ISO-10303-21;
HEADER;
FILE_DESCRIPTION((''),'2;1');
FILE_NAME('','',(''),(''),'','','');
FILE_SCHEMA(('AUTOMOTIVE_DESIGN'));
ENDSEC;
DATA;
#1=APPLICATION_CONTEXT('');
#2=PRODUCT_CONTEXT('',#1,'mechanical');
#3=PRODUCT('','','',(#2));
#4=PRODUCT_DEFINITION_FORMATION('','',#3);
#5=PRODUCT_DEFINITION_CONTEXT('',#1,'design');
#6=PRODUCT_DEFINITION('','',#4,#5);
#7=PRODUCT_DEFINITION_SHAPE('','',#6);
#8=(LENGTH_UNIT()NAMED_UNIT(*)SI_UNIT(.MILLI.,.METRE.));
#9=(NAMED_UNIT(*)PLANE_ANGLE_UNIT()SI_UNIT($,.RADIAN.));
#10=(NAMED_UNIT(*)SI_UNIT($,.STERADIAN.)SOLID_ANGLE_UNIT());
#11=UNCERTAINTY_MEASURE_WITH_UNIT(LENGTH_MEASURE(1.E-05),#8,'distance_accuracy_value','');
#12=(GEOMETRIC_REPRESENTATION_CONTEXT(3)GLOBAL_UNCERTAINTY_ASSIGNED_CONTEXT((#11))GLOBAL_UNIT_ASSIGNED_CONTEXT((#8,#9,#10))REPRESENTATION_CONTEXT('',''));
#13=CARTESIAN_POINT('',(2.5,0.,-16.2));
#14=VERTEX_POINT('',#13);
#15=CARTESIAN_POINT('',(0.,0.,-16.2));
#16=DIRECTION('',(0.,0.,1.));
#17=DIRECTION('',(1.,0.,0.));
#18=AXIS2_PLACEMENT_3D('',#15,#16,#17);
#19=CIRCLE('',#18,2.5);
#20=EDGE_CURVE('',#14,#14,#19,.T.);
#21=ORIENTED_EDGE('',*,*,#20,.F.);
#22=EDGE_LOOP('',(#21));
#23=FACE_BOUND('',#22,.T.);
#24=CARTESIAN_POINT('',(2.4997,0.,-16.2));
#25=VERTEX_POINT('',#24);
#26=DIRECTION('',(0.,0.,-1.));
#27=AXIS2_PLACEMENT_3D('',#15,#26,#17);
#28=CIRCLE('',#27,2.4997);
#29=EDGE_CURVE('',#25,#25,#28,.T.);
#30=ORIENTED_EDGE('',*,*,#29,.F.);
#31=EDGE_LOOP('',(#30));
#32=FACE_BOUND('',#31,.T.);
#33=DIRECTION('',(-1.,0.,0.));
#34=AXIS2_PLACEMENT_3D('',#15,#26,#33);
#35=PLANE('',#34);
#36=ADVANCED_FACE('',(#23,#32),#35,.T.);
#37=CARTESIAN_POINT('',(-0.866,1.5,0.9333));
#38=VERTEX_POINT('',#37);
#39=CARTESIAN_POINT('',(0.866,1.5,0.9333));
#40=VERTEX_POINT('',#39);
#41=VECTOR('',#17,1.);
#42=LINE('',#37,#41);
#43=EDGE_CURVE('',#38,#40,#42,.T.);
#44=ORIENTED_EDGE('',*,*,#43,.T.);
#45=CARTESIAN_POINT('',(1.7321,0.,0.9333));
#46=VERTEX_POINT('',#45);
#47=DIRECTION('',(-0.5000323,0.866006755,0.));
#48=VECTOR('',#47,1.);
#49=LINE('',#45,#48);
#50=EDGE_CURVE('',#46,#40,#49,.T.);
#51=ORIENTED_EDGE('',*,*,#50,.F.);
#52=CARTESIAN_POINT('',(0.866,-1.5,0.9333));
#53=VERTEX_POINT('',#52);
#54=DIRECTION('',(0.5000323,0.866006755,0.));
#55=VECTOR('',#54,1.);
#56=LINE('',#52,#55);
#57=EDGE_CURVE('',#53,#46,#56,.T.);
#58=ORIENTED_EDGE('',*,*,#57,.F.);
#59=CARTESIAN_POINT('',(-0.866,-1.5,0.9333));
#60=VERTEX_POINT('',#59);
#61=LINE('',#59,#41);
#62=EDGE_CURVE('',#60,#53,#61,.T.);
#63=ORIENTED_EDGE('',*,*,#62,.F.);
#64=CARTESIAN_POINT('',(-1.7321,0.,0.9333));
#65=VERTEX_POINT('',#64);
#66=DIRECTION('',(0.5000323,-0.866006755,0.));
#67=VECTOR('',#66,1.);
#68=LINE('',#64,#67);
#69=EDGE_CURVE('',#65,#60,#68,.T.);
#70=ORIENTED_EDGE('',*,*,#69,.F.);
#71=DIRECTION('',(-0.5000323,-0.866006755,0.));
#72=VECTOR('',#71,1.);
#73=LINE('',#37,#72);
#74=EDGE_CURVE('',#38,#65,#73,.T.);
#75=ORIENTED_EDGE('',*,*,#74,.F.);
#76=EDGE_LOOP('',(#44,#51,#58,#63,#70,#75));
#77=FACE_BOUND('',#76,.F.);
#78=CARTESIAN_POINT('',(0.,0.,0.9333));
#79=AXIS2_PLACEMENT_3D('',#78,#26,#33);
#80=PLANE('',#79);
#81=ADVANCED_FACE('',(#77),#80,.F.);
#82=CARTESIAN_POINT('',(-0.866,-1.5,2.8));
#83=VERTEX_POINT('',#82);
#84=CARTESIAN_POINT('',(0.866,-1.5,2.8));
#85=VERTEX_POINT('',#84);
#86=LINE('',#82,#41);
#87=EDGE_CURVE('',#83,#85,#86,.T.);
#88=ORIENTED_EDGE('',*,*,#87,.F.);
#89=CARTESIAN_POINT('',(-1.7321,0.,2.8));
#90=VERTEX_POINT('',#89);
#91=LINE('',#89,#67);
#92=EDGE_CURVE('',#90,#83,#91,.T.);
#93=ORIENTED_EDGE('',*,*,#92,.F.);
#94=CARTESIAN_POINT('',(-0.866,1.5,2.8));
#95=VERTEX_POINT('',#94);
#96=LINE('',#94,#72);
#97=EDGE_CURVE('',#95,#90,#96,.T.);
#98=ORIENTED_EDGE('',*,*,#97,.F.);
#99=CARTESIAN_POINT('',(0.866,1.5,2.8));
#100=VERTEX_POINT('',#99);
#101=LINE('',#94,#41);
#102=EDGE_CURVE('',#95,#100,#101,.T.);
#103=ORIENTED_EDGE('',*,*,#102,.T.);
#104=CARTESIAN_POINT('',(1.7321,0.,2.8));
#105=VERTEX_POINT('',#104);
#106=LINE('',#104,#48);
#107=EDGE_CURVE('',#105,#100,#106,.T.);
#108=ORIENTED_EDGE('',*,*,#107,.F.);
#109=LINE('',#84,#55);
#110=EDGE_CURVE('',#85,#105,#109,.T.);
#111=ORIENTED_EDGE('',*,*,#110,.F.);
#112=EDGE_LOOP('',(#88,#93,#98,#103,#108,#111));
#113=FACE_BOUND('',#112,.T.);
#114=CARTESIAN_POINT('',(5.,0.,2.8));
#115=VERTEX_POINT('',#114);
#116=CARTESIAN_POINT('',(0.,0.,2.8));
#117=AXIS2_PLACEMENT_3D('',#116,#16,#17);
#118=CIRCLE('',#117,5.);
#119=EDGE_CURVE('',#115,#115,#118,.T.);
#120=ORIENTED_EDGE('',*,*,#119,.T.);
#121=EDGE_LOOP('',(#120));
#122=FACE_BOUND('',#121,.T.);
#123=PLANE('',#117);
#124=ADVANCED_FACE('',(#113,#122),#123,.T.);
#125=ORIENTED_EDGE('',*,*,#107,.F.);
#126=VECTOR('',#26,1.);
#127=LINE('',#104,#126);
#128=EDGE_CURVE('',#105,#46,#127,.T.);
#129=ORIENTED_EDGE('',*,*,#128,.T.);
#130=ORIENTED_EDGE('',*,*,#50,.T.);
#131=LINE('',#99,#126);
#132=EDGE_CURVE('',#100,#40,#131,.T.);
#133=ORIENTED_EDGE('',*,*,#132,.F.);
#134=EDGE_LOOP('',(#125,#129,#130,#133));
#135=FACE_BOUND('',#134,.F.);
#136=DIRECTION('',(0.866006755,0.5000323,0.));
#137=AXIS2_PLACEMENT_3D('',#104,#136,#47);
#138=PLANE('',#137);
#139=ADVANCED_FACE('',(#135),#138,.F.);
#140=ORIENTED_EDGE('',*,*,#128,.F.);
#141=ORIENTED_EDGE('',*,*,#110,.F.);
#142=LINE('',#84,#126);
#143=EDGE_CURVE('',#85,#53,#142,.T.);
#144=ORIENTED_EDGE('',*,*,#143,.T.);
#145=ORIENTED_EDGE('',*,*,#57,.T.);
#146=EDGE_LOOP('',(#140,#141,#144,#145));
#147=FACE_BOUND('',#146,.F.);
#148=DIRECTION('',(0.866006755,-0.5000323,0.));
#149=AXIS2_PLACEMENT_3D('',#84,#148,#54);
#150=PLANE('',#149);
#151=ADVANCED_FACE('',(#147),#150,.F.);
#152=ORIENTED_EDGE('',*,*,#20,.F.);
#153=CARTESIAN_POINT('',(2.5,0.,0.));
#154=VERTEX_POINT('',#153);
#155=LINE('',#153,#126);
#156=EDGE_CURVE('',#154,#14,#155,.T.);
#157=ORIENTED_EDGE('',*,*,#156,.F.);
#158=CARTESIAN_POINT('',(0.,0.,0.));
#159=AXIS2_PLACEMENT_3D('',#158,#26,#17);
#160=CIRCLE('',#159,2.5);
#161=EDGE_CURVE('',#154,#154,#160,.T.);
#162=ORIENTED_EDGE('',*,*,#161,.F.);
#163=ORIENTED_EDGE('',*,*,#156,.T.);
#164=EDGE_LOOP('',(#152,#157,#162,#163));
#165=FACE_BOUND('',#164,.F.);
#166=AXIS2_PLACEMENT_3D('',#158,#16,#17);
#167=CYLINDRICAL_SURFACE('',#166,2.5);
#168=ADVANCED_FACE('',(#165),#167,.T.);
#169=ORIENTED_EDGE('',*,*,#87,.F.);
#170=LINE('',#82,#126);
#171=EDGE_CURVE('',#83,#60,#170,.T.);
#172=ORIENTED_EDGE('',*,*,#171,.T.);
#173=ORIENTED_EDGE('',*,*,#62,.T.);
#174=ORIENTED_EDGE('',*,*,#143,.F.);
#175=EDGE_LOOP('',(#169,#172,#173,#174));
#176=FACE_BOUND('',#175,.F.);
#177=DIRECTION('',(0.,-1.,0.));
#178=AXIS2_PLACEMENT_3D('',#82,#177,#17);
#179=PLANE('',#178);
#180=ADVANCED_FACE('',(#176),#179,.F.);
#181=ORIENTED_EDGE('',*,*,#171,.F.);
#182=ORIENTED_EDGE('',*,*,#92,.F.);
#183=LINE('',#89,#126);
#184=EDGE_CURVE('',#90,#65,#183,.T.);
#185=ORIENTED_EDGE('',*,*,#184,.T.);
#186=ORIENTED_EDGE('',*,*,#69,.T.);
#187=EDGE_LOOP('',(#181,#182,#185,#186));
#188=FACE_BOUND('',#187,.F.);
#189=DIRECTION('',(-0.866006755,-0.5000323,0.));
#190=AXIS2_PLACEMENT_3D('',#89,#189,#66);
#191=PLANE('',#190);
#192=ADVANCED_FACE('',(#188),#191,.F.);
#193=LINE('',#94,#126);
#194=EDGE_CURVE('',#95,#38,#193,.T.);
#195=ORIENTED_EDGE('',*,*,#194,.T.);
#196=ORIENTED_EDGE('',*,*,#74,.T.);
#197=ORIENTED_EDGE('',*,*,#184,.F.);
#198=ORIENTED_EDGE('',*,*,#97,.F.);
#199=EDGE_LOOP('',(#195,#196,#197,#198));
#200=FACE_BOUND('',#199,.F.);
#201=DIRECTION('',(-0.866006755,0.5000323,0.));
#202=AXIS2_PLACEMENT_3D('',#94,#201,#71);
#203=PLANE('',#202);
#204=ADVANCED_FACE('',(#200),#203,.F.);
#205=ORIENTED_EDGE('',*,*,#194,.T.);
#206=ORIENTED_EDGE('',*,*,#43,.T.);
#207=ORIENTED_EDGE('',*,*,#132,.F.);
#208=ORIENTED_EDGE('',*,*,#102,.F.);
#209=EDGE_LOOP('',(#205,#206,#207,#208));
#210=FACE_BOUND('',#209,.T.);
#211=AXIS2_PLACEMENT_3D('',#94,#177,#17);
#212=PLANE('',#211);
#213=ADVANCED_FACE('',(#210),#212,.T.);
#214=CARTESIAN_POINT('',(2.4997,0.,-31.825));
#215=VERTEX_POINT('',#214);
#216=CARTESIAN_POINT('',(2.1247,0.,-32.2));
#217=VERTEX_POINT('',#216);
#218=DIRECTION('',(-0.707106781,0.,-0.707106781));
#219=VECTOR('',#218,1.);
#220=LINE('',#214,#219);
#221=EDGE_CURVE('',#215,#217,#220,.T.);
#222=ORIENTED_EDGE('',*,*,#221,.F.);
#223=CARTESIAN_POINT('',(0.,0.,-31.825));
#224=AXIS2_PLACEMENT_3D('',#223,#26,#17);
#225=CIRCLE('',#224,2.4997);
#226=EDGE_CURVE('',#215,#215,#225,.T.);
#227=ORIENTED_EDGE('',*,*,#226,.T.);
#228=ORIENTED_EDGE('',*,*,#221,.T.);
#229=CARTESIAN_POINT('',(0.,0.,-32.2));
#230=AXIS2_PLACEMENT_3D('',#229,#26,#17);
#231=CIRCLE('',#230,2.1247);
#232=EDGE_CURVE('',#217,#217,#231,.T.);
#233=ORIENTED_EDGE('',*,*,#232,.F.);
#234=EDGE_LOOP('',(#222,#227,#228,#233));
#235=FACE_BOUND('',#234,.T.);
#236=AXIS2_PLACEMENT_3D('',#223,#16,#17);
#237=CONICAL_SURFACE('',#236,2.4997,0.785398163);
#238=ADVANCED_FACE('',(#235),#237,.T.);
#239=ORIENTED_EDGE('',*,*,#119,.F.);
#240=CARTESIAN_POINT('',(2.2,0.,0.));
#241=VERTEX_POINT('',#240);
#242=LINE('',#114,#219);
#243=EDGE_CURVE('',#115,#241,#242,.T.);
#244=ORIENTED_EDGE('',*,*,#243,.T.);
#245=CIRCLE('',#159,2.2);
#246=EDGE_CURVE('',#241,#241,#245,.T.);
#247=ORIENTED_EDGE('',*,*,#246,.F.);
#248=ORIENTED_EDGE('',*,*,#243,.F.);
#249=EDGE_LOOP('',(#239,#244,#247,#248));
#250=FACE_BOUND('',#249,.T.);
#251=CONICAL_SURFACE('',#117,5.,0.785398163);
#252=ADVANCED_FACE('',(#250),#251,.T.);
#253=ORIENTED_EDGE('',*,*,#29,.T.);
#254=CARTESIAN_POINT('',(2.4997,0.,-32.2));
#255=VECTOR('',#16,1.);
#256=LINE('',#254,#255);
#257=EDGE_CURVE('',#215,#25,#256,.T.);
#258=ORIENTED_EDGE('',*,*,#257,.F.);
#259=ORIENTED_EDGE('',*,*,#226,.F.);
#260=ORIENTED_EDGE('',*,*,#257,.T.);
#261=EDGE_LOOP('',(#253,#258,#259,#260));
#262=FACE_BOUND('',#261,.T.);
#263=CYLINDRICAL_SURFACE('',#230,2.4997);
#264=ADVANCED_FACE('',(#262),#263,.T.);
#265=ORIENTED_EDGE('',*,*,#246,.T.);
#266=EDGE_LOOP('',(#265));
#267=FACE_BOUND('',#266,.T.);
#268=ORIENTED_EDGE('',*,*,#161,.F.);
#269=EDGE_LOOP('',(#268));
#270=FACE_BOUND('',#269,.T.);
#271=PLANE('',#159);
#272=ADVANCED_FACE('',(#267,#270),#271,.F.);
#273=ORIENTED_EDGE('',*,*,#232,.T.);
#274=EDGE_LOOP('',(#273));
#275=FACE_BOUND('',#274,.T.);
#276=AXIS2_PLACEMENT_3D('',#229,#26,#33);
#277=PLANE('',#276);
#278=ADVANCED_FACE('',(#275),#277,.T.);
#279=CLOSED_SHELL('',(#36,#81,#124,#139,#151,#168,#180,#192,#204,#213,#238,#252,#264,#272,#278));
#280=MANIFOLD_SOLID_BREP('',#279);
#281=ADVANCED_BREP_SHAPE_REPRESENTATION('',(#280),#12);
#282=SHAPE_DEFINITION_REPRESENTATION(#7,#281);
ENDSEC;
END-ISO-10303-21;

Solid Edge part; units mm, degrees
sketch "Sketch1" plane through (0, 0, 0) normal (0, 0, 1) x (1, 0, 0)
  circle A0 centre (0, 0) radius 5
  dimension "D1" = 10
extrude "Protrusion1" add sketch "Sketch1" along normal blind 2.8
sketch "Sketch2" plane through (0, 0, 0) normal (0, 0, -1) x (1, 0, 0)
  circle A0 centre (0, 0) radius 2.5
extrude "Protrusion2" add sketch "Sketch2" along normal blind 32.2
sketch "Sketch3" plane through (0, 0, -32.2) normal (0, 0, -1) x (1, 0, 0)
  circle A0 centre (0, 0) radius 2.4997
extrude "Cutout1" cut sketch "Sketch3" against normal blind 16 flip side to cut
chamfer "Chamfer_1" distance 0.375 angle 45 1 edges at (-2.4997, 0, -32.2)
sketch "Sketch4" plane through (0, 0, 2.8) normal (0, 0, 1) x (1, 0, 0)
  line L0 (-0.866, 1.5) -> (0.866, 1.5)
  line L1 (1.7321, 0) -> (0.866, 1.5)
  line L2 (0.866, -1.5) -> (1.7321, 0)
  line L3 (-0.866, -1.5) -> (0.866, -1.5)
  line L4 (-1.7321, 0) -> (-0.866, -1.5)
  line L5 (-0.866, 1.5) -> (-1.7321, 0)
  dimension "D1" = 3
extrude "Cutout2" cut sketch "Sketch4" against normal blind 1.8667
sketch "Sketch5" plane through (0, 0, 0) normal (0, -1, 0) x (1, 0, 0)
  line L0 (5, 2.8) -> (2.2, 0)
  line L1 (2.2, 0) -> (5, 0)
  line L2 (5, 0) -> (5, 2.8)
revolve "RevolvedCutout1" cut sketch "Sketch5" angle 360 about axis through (0, 0, 14.0017) along (0, 0, -1)
properties part number "136858"
